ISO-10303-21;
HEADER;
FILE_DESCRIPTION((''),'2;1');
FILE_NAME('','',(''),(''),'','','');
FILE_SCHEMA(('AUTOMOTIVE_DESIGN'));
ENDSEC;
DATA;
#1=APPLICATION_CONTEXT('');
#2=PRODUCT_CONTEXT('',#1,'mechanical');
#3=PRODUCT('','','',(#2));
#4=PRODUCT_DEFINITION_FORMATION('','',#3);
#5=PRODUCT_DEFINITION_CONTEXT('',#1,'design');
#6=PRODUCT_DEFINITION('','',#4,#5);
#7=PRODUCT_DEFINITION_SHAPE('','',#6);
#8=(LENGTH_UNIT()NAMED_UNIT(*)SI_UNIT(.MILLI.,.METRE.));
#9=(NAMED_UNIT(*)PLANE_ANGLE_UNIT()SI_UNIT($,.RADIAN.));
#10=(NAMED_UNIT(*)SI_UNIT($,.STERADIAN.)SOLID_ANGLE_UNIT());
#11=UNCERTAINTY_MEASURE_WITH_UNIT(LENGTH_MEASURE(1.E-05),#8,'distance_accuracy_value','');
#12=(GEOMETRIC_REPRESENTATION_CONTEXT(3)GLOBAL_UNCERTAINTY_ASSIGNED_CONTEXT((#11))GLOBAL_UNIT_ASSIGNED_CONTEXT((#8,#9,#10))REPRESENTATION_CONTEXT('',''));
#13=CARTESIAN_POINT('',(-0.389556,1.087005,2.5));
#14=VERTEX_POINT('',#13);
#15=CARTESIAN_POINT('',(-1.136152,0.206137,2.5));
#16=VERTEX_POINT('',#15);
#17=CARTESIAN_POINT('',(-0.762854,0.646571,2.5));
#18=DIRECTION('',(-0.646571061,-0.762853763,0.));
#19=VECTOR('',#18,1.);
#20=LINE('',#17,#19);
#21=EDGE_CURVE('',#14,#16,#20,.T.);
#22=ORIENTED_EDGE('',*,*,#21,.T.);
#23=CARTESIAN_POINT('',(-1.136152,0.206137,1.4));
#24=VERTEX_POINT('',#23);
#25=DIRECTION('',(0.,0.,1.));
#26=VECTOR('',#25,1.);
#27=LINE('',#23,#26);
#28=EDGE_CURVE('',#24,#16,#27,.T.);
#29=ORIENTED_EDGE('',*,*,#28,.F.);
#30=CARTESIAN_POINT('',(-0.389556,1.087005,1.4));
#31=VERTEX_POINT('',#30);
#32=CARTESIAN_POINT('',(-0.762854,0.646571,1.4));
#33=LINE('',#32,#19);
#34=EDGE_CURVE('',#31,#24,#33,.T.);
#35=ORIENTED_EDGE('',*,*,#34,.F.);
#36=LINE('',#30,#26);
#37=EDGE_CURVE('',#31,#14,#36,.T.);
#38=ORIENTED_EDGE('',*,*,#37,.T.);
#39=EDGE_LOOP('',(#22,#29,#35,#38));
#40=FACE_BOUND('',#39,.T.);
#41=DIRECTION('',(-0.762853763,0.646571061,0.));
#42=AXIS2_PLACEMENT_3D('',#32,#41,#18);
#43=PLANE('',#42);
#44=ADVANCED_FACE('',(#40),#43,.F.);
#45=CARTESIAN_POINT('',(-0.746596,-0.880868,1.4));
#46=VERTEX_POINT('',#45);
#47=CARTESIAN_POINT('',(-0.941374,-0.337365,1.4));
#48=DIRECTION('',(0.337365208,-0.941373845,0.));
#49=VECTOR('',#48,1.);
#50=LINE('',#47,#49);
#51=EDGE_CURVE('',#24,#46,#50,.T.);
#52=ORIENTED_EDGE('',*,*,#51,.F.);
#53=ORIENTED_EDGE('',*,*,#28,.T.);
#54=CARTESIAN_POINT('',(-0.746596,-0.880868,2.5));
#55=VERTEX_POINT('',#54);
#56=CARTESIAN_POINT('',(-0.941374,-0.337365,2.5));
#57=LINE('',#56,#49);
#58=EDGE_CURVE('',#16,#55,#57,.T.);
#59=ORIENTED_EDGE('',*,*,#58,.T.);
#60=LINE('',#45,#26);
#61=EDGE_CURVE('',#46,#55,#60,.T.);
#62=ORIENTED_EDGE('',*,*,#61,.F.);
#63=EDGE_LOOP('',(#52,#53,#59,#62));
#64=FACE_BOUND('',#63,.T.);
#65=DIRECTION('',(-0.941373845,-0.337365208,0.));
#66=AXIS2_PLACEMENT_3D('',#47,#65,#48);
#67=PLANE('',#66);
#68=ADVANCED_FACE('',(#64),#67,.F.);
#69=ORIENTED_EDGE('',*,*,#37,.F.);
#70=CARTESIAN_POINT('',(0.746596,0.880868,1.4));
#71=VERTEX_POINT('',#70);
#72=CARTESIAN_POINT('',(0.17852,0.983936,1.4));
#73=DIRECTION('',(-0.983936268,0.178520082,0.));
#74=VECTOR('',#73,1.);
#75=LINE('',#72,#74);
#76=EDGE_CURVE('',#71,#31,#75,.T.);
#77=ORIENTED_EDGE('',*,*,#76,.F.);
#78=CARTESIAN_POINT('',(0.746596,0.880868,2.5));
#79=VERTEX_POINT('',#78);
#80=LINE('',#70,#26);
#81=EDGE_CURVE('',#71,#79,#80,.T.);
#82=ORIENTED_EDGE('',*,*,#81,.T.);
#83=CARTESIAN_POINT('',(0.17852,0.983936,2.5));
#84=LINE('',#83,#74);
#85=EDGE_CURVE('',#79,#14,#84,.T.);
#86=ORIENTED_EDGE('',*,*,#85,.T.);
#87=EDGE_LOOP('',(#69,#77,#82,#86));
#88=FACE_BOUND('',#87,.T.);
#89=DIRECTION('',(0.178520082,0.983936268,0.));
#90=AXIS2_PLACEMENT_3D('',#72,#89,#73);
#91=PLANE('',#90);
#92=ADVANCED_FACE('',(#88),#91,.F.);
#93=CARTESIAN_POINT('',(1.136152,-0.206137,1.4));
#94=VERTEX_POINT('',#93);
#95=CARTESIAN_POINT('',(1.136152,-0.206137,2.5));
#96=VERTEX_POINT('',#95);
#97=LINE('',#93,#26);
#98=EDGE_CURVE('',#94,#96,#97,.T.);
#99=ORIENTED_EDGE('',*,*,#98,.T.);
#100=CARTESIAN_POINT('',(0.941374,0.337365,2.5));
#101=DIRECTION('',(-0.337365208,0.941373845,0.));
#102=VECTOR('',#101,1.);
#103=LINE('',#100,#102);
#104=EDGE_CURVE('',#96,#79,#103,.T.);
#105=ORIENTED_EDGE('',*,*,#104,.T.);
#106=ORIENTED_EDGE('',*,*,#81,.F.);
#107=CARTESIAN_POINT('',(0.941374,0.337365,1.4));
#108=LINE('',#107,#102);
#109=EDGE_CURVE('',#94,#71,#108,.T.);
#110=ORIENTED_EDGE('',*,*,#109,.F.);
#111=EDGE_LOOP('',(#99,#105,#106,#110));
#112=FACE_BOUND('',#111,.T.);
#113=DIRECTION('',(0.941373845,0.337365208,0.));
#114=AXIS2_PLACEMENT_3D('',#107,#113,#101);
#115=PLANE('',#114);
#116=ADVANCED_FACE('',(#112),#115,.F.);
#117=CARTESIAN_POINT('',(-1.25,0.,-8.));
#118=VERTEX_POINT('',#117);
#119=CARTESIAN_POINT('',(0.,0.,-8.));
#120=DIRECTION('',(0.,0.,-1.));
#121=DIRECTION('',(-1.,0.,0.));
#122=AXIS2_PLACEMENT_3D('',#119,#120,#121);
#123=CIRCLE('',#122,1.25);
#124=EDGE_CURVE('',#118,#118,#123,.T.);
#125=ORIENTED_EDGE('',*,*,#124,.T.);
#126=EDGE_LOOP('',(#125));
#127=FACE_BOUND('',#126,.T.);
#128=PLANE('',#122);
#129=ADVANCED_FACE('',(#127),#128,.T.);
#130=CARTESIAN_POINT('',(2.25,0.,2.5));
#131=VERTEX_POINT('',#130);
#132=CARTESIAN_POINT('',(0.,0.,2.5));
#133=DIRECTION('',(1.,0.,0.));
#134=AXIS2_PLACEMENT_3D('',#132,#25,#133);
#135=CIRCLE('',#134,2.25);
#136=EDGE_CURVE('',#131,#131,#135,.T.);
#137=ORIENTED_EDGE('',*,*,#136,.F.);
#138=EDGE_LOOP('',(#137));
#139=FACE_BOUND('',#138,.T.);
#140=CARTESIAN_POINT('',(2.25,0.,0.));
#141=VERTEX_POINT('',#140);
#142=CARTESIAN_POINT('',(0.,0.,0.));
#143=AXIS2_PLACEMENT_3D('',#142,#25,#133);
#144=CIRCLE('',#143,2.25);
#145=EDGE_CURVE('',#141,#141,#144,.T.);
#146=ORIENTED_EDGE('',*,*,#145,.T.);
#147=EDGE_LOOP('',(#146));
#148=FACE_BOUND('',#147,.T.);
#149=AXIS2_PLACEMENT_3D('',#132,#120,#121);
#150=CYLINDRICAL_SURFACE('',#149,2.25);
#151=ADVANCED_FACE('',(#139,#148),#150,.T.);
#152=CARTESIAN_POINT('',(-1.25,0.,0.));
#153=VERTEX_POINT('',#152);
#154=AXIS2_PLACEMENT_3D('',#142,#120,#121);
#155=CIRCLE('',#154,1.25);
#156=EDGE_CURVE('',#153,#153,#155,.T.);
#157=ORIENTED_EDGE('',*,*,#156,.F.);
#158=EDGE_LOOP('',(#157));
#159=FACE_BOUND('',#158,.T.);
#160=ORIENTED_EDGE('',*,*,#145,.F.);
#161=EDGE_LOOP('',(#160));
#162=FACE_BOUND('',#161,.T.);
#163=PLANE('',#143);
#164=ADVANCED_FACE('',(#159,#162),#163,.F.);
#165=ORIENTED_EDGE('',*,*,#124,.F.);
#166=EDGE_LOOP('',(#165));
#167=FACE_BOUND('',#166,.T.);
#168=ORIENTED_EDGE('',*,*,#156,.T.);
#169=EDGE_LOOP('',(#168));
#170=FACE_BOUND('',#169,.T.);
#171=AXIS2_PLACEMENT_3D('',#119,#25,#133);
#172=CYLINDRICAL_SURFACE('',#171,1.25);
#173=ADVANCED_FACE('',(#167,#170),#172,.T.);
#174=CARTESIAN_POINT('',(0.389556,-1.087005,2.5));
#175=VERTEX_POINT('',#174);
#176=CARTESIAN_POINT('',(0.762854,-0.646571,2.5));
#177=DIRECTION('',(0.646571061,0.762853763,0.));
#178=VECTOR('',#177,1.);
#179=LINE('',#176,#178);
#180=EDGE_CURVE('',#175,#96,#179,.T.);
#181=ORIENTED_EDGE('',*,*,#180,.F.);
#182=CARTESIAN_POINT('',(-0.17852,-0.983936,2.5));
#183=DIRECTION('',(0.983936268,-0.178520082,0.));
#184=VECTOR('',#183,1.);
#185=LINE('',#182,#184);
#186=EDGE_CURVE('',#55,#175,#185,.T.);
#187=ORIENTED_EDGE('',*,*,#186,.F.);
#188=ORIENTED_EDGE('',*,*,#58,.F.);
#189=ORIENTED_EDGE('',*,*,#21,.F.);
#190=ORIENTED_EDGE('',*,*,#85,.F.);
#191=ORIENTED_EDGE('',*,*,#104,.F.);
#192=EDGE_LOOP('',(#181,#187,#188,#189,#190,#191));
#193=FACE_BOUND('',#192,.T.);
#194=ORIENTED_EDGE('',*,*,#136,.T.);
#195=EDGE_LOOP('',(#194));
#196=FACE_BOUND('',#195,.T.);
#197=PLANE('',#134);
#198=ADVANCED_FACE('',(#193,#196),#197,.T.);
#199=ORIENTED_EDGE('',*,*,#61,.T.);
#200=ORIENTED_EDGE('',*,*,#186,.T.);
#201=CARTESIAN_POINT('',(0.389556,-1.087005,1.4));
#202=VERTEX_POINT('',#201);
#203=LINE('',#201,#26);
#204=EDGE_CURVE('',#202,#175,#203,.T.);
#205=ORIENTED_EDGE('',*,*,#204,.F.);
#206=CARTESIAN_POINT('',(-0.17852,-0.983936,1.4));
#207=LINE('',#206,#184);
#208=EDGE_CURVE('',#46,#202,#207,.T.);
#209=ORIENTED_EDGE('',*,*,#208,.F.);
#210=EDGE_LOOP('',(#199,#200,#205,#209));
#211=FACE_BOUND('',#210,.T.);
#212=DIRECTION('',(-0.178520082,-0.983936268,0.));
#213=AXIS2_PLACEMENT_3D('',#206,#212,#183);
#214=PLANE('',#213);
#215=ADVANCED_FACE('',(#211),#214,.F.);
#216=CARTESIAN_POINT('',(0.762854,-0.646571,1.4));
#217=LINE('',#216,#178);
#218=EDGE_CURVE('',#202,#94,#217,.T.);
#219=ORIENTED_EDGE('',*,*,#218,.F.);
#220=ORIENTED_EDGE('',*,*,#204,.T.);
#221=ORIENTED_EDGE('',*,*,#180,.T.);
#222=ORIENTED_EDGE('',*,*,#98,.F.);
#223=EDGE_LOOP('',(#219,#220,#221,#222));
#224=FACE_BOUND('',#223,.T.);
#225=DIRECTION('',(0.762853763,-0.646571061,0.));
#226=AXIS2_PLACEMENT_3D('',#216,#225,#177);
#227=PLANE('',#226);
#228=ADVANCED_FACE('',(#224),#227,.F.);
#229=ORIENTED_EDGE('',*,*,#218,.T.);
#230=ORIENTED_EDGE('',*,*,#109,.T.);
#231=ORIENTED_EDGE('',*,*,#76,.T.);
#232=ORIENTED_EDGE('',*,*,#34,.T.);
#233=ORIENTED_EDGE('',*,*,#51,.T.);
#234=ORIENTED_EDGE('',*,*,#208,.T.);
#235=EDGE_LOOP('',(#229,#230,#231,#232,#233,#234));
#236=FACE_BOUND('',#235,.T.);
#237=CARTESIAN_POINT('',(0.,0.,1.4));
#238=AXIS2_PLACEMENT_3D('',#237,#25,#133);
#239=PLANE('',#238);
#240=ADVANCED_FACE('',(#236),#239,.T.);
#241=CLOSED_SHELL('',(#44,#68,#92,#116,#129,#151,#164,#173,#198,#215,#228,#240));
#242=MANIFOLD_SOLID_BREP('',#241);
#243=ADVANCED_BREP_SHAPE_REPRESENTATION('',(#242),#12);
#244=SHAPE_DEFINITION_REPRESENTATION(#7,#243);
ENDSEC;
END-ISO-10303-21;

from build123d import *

# Parameters (mm, degrees)
SKETCH_1_R          = 2.25
EXTRUDE_1_DEPTH     = 2.5
CUT_EXTRUDE_1_DEPTH = 1.1
SKETCH_3_R          = 1.25
EXTRUDE_2_DEPTH     = 8


with BuildPart() as part:
    # 草图1 → 凸台-拉伸1 (new body)
    with BuildSketch(Plane.XY):
        Circle(SKETCH_1_R)
    extrude(amount=EXTRUDE_1_DEPTH)

    # 草图2 → 切除-拉伸1 (cut)
    with BuildSketch(Plane.XY.offset(2.5)):
        Polygon((-0.746595952, -0.880867651), (0.389555787, -1.087004886), (1.136151739, -0.206137235), (0.746595952, 0.880867651), (-0.389555787, 1.087004886), (-1.136151739, 0.206137235), align=None)
    extrude(amount=-CUT_EXTRUDE_1_DEPTH, mode=Mode.SUBTRACT)

    # 草图3 → 凸台-拉伸2 (add)
    with BuildSketch(Plane(origin=(0, 0, 0), x_dir=(-1, 0, 0), z_dir=(0, 0, -1))):
        Circle(SKETCH_3_R)
    extrude(amount=EXTRUDE_2_DEPTH)


solid = part.part
